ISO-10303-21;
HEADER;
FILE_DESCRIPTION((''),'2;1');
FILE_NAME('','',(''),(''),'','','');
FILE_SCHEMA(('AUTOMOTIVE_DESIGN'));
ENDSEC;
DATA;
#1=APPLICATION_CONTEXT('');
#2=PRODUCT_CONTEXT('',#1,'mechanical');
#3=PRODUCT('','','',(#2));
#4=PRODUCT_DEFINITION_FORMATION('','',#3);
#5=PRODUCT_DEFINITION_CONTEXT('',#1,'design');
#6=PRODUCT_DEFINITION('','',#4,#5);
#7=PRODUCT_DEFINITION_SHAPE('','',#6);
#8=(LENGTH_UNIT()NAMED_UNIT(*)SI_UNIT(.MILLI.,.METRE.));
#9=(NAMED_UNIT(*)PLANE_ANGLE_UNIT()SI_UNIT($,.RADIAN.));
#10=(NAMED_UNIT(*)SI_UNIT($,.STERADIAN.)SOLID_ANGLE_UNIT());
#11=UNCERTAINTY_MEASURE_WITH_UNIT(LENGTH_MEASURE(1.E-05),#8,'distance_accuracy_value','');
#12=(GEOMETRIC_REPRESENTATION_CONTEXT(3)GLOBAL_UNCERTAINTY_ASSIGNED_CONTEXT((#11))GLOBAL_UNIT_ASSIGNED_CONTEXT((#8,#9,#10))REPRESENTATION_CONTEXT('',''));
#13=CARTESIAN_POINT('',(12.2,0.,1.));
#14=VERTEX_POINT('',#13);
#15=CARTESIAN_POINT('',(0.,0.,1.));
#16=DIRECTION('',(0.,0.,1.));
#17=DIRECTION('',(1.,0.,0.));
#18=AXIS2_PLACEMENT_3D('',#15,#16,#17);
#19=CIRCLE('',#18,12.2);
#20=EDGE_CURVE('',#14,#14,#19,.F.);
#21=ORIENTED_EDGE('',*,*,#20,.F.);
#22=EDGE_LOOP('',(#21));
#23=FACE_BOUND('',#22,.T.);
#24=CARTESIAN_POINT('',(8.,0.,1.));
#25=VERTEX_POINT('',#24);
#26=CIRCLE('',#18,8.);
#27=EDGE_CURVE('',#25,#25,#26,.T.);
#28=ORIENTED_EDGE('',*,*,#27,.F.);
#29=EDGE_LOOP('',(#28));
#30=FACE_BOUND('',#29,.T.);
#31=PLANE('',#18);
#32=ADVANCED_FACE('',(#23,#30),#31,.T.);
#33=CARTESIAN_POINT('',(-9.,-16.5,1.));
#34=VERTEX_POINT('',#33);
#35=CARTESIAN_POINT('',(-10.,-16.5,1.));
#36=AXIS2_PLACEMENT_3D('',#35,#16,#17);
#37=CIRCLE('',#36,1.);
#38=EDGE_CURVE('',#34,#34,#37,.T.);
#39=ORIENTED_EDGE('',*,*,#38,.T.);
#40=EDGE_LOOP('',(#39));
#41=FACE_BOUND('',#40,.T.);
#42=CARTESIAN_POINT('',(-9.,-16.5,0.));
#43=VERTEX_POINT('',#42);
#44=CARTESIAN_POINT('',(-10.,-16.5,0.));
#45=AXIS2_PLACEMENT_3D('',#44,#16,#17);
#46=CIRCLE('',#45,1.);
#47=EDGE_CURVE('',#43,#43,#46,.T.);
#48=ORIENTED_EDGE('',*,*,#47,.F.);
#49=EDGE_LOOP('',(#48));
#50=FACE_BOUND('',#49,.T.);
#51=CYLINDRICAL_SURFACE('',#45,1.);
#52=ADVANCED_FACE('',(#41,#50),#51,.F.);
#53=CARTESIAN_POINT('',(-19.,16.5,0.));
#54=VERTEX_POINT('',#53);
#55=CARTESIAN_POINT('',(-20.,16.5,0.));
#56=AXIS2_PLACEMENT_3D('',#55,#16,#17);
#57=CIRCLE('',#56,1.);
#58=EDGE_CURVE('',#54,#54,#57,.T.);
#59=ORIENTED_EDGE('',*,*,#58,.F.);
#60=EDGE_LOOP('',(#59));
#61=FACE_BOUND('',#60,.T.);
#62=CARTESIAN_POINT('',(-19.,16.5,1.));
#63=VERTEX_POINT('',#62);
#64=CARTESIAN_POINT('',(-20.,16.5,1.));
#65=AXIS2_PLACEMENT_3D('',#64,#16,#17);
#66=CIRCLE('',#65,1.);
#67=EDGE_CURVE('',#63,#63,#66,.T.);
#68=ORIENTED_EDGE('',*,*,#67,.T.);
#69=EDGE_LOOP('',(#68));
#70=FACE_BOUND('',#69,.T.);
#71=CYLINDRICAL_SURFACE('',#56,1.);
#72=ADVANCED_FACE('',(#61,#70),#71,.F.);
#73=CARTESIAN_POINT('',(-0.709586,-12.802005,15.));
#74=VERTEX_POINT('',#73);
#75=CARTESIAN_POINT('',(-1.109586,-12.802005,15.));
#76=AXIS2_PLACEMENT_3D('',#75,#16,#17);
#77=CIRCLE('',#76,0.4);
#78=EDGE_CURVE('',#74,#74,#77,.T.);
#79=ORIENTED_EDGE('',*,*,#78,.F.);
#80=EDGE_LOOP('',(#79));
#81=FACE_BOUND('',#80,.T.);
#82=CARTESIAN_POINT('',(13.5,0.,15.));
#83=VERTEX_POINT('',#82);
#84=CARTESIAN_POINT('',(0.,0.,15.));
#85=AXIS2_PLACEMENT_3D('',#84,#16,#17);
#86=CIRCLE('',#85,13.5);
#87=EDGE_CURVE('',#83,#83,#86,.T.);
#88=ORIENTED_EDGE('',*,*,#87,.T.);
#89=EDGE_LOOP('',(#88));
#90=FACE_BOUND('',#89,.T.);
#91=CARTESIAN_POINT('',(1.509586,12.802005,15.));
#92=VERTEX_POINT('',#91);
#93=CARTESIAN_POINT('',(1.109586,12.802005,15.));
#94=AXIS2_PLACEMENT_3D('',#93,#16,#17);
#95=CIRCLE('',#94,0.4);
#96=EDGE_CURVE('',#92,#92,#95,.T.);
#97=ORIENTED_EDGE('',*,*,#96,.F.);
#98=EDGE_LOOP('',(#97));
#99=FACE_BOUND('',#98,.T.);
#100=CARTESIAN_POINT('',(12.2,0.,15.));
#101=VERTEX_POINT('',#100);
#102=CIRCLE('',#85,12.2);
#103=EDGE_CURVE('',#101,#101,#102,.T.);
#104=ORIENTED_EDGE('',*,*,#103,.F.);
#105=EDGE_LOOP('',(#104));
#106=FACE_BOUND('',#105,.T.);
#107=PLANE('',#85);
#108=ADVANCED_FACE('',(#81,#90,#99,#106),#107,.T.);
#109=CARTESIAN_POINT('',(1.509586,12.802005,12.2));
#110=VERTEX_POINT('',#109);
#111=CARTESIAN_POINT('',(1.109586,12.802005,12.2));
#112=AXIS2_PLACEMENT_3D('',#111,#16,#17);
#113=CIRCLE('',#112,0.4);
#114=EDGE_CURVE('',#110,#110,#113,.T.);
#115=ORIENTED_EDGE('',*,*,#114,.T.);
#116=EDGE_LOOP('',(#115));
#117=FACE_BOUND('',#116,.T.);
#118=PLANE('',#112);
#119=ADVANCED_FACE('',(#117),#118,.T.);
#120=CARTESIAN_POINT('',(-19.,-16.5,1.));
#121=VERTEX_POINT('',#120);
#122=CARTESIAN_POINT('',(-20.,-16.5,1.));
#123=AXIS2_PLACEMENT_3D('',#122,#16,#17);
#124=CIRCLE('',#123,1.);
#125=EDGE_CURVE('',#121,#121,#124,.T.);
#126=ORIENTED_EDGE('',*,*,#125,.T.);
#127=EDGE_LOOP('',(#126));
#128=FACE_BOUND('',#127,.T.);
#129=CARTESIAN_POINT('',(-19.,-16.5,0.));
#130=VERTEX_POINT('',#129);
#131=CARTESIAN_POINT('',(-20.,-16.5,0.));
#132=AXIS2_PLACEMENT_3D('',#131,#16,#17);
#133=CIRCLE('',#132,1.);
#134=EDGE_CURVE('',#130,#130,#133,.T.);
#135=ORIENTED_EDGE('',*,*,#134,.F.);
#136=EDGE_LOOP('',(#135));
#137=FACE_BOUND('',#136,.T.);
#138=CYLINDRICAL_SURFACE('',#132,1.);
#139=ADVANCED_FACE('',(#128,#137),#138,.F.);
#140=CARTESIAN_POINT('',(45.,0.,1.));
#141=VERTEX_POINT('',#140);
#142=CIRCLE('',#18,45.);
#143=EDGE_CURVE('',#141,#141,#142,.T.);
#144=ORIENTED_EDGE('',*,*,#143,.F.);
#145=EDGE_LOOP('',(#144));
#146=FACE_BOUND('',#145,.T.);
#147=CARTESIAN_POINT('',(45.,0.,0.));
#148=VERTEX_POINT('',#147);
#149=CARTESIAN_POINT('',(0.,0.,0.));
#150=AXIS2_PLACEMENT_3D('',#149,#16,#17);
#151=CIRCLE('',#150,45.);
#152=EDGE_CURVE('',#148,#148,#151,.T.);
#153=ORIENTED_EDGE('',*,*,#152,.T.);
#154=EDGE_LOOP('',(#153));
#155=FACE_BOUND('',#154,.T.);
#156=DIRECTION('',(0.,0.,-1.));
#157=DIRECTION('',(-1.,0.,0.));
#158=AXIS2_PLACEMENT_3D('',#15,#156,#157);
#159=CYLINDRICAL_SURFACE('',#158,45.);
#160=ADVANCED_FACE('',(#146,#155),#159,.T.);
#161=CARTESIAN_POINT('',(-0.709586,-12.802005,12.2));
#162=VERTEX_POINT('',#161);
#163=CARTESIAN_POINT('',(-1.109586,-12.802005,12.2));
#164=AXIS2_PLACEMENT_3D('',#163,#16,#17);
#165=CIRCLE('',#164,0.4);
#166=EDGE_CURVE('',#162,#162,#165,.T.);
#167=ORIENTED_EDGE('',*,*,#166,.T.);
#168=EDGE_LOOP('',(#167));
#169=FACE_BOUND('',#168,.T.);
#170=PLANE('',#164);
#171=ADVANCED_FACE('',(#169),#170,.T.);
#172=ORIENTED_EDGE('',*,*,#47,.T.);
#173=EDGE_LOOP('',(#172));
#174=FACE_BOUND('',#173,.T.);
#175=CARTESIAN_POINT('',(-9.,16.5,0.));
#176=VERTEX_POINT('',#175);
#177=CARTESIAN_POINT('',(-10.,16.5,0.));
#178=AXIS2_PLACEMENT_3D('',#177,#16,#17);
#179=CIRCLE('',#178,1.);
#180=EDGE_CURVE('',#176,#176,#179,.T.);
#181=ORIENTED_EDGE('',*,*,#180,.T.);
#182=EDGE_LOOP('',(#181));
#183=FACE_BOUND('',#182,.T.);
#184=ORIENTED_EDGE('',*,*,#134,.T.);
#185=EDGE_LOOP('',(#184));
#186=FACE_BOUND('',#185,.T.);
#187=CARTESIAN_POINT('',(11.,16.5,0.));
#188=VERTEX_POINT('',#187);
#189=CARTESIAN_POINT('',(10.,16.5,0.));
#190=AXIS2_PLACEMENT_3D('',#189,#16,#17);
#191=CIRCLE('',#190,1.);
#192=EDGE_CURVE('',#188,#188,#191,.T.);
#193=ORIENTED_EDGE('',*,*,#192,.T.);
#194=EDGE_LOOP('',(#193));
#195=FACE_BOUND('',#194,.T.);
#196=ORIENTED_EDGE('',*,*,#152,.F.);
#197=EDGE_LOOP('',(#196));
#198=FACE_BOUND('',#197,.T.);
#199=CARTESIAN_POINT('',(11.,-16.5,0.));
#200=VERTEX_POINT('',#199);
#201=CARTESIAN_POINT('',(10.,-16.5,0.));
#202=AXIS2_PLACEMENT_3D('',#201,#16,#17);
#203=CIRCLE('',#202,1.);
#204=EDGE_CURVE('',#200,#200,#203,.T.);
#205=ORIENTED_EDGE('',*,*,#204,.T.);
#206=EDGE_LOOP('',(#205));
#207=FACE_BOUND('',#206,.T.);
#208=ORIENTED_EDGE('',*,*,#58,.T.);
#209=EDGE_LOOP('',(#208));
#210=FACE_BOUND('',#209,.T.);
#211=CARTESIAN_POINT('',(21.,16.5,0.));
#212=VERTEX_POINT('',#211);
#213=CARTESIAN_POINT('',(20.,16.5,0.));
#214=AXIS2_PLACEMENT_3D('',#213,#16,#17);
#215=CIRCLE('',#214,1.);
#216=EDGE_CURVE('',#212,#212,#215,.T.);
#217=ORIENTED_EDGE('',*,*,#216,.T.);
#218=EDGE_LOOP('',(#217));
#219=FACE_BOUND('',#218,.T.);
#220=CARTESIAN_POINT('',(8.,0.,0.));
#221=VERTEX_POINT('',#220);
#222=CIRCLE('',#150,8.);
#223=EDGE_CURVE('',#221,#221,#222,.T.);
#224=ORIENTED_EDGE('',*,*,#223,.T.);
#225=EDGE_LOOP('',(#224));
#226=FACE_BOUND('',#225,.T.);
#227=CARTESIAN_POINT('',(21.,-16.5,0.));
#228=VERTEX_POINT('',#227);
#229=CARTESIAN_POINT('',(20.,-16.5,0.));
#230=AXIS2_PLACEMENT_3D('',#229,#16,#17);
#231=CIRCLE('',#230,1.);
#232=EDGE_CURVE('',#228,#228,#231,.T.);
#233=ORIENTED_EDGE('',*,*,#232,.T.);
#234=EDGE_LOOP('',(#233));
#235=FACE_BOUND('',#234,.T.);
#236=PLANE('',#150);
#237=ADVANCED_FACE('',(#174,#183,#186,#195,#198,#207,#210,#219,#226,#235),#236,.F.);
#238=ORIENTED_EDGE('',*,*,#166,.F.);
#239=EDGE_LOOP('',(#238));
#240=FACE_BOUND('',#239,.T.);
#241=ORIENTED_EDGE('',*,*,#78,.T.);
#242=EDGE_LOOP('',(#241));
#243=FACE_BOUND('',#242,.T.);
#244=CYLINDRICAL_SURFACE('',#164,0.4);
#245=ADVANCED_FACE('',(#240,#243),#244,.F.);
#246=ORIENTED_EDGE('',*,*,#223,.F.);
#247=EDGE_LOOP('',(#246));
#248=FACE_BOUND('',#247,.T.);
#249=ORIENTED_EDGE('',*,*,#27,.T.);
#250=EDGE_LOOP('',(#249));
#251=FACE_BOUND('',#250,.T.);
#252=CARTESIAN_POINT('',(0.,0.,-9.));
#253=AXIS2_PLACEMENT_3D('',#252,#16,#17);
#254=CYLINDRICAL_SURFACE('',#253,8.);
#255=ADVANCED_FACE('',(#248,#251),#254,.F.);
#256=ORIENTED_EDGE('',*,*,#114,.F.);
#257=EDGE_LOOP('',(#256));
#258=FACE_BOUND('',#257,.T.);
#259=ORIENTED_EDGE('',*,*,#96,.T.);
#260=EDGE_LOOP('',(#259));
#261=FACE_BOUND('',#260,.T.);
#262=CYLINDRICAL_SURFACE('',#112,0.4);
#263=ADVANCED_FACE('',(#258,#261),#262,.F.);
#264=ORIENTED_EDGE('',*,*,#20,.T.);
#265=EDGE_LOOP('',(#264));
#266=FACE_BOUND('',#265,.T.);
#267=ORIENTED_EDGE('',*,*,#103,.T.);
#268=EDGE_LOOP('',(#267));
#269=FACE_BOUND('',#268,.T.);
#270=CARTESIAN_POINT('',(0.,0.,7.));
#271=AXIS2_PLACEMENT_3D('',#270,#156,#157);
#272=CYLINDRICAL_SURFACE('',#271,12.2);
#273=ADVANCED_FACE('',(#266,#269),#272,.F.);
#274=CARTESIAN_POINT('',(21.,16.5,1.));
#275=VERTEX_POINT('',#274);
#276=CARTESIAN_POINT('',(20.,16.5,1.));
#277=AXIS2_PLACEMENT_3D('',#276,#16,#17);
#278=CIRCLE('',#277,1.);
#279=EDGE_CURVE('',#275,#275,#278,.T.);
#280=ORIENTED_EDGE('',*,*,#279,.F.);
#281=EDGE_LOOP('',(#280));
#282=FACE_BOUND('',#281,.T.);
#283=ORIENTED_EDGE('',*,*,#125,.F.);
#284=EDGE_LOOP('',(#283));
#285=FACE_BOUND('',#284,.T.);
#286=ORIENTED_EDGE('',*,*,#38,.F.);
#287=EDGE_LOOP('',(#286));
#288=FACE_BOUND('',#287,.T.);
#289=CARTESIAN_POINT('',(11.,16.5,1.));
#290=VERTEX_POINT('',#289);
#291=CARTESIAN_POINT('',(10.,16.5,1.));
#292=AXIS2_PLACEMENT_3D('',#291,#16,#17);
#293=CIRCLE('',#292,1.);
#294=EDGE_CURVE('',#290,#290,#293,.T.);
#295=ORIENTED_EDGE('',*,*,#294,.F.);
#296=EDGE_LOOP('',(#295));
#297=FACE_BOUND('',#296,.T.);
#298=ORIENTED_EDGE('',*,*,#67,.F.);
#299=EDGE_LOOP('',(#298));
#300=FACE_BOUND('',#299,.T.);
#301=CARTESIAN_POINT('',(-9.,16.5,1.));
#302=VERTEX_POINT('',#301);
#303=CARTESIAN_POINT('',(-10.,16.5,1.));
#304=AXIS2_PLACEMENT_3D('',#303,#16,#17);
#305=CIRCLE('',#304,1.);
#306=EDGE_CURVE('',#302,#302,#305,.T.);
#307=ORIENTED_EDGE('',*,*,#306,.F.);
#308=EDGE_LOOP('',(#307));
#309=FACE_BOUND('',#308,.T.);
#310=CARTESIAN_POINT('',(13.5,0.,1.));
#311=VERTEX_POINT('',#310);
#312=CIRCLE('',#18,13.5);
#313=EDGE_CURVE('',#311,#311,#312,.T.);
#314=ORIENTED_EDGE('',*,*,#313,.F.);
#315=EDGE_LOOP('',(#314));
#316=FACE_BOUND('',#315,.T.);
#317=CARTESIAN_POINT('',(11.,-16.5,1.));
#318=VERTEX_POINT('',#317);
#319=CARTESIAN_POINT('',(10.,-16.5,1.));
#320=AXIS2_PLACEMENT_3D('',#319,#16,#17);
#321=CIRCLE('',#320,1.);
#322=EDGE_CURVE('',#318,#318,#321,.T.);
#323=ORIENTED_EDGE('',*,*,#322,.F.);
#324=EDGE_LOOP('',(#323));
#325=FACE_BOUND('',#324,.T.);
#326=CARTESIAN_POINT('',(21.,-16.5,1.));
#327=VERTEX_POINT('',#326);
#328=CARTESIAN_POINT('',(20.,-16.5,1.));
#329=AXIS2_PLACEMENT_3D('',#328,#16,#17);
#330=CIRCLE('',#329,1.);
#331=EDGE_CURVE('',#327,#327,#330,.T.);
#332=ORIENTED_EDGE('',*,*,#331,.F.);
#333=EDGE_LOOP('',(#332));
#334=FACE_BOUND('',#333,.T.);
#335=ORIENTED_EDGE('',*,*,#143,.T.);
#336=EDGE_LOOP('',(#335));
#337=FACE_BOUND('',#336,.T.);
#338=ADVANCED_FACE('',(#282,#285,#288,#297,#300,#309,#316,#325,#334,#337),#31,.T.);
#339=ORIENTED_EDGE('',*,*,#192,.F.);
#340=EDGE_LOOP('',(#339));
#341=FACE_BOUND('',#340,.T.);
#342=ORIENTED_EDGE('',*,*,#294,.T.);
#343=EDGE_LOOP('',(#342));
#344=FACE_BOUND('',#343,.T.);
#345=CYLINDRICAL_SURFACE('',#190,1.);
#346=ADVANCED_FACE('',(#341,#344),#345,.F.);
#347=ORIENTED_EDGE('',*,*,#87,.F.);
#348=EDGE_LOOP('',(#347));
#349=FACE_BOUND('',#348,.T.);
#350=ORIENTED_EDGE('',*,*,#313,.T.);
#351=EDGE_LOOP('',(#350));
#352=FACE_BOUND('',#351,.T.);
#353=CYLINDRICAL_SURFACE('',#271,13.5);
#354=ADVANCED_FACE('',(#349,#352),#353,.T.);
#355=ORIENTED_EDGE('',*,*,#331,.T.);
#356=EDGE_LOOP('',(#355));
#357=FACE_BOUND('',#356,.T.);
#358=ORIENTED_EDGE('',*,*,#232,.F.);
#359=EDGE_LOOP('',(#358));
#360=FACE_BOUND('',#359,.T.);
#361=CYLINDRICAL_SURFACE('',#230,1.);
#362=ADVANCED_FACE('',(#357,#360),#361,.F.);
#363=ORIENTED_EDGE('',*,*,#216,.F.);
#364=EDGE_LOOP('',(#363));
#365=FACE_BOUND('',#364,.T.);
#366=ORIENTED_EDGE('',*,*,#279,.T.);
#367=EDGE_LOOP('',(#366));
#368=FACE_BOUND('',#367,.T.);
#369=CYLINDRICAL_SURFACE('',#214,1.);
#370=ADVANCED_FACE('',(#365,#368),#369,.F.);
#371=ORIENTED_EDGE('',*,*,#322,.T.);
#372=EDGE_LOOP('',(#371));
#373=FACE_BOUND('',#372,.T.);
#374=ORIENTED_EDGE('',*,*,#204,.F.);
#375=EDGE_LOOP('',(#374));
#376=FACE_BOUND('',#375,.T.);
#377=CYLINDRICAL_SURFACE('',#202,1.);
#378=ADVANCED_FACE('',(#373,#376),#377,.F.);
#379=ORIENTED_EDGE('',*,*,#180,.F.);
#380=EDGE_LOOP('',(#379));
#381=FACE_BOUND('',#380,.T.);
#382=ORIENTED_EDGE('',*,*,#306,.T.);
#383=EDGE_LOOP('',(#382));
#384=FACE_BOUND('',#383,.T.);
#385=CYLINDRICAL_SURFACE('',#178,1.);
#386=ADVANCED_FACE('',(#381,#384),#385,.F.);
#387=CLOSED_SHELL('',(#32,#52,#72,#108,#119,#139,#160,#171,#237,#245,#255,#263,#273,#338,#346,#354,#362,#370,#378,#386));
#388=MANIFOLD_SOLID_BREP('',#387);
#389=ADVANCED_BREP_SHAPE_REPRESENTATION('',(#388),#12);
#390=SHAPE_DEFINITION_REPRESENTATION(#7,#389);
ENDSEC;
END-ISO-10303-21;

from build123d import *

# Parameters (mm, degrees)
SKETCH_1_R          = 45
EXTRUDE_1_DEPTH     = 1
SKETCH_2_R          = 1
CUT_EXTRUDE_1_DEPTH = 64.647466564
SKETCH_3_R          = 13.5
SKETCH_3_R_2        = 12.2
EXTRUDE_2_DEPTH     = 6
SKETCH_4_R          = 4
CUT_EXTRUDE_2_DEPTH = 64.921827258
SKETCH_5_R          = 8
CUT_EXTRUDE_3_DEPTH = 10
SKETCH_6_R          = 13.5
SKETCH_6_R_2        = 12.2
EXTRUDE_3_DEPTH     = 8
SKETCH_7_R          = 0.4
CUT_EXTRUDE_4_DEPTH = 2.8


with BuildPart() as part:
    # 草图1 → 凸台-拉伸1 (new body)
    with BuildSketch(Plane.XY):
        Circle(SKETCH_1_R)
    extrude(amount=EXTRUDE_1_DEPTH)

    # 草图2 → 切除-拉伸1 (cut, through all)
    with BuildSketch(Plane.XY.offset(1)):
        with Locations((20, -16.5)):
            Circle(SKETCH_2_R)
        with Locations((20, 16.5)):
            Circle(SKETCH_2_R)
        with Locations((-20, 16.5)):
            Circle(SKETCH_2_R)
        with Locations((-20, -16.5)):
            Circle(SKETCH_2_R)
        with Locations((10, -16.5)):
            Circle(SKETCH_2_R)
        with Locations((10, 16.5)):
            Circle(SKETCH_2_R)
        with Locations((-10, 16.5)):
            Circle(SKETCH_2_R)
        with Locations((-10, -16.5)):
            Circle(SKETCH_2_R)
    extrude(amount=-CUT_EXTRUDE_1_DEPTH, mode=Mode.SUBTRACT)

    # 草图3 → 凸台-拉伸2 (add)
    with BuildSketch(Plane.XY.offset(1)):
        Circle(SKETCH_3_R)
        Circle(SKETCH_3_R_2, mode=Mode.SUBTRACT)
    extrude(amount=EXTRUDE_2_DEPTH)

    # 草图4 → 切除-拉伸2 (cut, through all)
    with BuildSketch(Plane.XY.offset(1)):
        Circle(SKETCH_4_R)
    extrude(amount=-CUT_EXTRUDE_2_DEPTH, mode=Mode.SUBTRACT)

    # 草图5 → 切除-拉伸3 (cut)
    with BuildSketch(Plane.XY.offset(1)):
        Circle(SKETCH_5_R)
    extrude(amount=-CUT_EXTRUDE_3_DEPTH, mode=Mode.SUBTRACT)

    # 草图6 → 凸台-拉伸3 (add)
    with BuildSketch(Plane.XY.offset(7)):
        Circle(SKETCH_6_R)
        Circle(SKETCH_6_R_2, mode=Mode.SUBTRACT)
    extrude(amount=EXTRUDE_3_DEPTH)

    # 草图7 → 切除-拉伸4 (cut)
    with BuildSketch(Plane(origin=(65.728441972, -2.343791879, 15), x_dir=(0.9999857974272592, -0.005329628858411386, 0), z_dir=(0, 0, 1))):
        with Locations(Location((-64.698660153, 14.801186776, 0), (0, 0, 0.305366686))):
            Circle(SKETCH_7_R)
        with Locations(Location((-66.781339847, -10.814285995, 0), (0, 0, 0.305366686))):
            Circle(SKETCH_7_R)
    extrude(amount=-CUT_EXTRUDE_4_DEPTH, mode=Mode.SUBTRACT)


solid = part.part
